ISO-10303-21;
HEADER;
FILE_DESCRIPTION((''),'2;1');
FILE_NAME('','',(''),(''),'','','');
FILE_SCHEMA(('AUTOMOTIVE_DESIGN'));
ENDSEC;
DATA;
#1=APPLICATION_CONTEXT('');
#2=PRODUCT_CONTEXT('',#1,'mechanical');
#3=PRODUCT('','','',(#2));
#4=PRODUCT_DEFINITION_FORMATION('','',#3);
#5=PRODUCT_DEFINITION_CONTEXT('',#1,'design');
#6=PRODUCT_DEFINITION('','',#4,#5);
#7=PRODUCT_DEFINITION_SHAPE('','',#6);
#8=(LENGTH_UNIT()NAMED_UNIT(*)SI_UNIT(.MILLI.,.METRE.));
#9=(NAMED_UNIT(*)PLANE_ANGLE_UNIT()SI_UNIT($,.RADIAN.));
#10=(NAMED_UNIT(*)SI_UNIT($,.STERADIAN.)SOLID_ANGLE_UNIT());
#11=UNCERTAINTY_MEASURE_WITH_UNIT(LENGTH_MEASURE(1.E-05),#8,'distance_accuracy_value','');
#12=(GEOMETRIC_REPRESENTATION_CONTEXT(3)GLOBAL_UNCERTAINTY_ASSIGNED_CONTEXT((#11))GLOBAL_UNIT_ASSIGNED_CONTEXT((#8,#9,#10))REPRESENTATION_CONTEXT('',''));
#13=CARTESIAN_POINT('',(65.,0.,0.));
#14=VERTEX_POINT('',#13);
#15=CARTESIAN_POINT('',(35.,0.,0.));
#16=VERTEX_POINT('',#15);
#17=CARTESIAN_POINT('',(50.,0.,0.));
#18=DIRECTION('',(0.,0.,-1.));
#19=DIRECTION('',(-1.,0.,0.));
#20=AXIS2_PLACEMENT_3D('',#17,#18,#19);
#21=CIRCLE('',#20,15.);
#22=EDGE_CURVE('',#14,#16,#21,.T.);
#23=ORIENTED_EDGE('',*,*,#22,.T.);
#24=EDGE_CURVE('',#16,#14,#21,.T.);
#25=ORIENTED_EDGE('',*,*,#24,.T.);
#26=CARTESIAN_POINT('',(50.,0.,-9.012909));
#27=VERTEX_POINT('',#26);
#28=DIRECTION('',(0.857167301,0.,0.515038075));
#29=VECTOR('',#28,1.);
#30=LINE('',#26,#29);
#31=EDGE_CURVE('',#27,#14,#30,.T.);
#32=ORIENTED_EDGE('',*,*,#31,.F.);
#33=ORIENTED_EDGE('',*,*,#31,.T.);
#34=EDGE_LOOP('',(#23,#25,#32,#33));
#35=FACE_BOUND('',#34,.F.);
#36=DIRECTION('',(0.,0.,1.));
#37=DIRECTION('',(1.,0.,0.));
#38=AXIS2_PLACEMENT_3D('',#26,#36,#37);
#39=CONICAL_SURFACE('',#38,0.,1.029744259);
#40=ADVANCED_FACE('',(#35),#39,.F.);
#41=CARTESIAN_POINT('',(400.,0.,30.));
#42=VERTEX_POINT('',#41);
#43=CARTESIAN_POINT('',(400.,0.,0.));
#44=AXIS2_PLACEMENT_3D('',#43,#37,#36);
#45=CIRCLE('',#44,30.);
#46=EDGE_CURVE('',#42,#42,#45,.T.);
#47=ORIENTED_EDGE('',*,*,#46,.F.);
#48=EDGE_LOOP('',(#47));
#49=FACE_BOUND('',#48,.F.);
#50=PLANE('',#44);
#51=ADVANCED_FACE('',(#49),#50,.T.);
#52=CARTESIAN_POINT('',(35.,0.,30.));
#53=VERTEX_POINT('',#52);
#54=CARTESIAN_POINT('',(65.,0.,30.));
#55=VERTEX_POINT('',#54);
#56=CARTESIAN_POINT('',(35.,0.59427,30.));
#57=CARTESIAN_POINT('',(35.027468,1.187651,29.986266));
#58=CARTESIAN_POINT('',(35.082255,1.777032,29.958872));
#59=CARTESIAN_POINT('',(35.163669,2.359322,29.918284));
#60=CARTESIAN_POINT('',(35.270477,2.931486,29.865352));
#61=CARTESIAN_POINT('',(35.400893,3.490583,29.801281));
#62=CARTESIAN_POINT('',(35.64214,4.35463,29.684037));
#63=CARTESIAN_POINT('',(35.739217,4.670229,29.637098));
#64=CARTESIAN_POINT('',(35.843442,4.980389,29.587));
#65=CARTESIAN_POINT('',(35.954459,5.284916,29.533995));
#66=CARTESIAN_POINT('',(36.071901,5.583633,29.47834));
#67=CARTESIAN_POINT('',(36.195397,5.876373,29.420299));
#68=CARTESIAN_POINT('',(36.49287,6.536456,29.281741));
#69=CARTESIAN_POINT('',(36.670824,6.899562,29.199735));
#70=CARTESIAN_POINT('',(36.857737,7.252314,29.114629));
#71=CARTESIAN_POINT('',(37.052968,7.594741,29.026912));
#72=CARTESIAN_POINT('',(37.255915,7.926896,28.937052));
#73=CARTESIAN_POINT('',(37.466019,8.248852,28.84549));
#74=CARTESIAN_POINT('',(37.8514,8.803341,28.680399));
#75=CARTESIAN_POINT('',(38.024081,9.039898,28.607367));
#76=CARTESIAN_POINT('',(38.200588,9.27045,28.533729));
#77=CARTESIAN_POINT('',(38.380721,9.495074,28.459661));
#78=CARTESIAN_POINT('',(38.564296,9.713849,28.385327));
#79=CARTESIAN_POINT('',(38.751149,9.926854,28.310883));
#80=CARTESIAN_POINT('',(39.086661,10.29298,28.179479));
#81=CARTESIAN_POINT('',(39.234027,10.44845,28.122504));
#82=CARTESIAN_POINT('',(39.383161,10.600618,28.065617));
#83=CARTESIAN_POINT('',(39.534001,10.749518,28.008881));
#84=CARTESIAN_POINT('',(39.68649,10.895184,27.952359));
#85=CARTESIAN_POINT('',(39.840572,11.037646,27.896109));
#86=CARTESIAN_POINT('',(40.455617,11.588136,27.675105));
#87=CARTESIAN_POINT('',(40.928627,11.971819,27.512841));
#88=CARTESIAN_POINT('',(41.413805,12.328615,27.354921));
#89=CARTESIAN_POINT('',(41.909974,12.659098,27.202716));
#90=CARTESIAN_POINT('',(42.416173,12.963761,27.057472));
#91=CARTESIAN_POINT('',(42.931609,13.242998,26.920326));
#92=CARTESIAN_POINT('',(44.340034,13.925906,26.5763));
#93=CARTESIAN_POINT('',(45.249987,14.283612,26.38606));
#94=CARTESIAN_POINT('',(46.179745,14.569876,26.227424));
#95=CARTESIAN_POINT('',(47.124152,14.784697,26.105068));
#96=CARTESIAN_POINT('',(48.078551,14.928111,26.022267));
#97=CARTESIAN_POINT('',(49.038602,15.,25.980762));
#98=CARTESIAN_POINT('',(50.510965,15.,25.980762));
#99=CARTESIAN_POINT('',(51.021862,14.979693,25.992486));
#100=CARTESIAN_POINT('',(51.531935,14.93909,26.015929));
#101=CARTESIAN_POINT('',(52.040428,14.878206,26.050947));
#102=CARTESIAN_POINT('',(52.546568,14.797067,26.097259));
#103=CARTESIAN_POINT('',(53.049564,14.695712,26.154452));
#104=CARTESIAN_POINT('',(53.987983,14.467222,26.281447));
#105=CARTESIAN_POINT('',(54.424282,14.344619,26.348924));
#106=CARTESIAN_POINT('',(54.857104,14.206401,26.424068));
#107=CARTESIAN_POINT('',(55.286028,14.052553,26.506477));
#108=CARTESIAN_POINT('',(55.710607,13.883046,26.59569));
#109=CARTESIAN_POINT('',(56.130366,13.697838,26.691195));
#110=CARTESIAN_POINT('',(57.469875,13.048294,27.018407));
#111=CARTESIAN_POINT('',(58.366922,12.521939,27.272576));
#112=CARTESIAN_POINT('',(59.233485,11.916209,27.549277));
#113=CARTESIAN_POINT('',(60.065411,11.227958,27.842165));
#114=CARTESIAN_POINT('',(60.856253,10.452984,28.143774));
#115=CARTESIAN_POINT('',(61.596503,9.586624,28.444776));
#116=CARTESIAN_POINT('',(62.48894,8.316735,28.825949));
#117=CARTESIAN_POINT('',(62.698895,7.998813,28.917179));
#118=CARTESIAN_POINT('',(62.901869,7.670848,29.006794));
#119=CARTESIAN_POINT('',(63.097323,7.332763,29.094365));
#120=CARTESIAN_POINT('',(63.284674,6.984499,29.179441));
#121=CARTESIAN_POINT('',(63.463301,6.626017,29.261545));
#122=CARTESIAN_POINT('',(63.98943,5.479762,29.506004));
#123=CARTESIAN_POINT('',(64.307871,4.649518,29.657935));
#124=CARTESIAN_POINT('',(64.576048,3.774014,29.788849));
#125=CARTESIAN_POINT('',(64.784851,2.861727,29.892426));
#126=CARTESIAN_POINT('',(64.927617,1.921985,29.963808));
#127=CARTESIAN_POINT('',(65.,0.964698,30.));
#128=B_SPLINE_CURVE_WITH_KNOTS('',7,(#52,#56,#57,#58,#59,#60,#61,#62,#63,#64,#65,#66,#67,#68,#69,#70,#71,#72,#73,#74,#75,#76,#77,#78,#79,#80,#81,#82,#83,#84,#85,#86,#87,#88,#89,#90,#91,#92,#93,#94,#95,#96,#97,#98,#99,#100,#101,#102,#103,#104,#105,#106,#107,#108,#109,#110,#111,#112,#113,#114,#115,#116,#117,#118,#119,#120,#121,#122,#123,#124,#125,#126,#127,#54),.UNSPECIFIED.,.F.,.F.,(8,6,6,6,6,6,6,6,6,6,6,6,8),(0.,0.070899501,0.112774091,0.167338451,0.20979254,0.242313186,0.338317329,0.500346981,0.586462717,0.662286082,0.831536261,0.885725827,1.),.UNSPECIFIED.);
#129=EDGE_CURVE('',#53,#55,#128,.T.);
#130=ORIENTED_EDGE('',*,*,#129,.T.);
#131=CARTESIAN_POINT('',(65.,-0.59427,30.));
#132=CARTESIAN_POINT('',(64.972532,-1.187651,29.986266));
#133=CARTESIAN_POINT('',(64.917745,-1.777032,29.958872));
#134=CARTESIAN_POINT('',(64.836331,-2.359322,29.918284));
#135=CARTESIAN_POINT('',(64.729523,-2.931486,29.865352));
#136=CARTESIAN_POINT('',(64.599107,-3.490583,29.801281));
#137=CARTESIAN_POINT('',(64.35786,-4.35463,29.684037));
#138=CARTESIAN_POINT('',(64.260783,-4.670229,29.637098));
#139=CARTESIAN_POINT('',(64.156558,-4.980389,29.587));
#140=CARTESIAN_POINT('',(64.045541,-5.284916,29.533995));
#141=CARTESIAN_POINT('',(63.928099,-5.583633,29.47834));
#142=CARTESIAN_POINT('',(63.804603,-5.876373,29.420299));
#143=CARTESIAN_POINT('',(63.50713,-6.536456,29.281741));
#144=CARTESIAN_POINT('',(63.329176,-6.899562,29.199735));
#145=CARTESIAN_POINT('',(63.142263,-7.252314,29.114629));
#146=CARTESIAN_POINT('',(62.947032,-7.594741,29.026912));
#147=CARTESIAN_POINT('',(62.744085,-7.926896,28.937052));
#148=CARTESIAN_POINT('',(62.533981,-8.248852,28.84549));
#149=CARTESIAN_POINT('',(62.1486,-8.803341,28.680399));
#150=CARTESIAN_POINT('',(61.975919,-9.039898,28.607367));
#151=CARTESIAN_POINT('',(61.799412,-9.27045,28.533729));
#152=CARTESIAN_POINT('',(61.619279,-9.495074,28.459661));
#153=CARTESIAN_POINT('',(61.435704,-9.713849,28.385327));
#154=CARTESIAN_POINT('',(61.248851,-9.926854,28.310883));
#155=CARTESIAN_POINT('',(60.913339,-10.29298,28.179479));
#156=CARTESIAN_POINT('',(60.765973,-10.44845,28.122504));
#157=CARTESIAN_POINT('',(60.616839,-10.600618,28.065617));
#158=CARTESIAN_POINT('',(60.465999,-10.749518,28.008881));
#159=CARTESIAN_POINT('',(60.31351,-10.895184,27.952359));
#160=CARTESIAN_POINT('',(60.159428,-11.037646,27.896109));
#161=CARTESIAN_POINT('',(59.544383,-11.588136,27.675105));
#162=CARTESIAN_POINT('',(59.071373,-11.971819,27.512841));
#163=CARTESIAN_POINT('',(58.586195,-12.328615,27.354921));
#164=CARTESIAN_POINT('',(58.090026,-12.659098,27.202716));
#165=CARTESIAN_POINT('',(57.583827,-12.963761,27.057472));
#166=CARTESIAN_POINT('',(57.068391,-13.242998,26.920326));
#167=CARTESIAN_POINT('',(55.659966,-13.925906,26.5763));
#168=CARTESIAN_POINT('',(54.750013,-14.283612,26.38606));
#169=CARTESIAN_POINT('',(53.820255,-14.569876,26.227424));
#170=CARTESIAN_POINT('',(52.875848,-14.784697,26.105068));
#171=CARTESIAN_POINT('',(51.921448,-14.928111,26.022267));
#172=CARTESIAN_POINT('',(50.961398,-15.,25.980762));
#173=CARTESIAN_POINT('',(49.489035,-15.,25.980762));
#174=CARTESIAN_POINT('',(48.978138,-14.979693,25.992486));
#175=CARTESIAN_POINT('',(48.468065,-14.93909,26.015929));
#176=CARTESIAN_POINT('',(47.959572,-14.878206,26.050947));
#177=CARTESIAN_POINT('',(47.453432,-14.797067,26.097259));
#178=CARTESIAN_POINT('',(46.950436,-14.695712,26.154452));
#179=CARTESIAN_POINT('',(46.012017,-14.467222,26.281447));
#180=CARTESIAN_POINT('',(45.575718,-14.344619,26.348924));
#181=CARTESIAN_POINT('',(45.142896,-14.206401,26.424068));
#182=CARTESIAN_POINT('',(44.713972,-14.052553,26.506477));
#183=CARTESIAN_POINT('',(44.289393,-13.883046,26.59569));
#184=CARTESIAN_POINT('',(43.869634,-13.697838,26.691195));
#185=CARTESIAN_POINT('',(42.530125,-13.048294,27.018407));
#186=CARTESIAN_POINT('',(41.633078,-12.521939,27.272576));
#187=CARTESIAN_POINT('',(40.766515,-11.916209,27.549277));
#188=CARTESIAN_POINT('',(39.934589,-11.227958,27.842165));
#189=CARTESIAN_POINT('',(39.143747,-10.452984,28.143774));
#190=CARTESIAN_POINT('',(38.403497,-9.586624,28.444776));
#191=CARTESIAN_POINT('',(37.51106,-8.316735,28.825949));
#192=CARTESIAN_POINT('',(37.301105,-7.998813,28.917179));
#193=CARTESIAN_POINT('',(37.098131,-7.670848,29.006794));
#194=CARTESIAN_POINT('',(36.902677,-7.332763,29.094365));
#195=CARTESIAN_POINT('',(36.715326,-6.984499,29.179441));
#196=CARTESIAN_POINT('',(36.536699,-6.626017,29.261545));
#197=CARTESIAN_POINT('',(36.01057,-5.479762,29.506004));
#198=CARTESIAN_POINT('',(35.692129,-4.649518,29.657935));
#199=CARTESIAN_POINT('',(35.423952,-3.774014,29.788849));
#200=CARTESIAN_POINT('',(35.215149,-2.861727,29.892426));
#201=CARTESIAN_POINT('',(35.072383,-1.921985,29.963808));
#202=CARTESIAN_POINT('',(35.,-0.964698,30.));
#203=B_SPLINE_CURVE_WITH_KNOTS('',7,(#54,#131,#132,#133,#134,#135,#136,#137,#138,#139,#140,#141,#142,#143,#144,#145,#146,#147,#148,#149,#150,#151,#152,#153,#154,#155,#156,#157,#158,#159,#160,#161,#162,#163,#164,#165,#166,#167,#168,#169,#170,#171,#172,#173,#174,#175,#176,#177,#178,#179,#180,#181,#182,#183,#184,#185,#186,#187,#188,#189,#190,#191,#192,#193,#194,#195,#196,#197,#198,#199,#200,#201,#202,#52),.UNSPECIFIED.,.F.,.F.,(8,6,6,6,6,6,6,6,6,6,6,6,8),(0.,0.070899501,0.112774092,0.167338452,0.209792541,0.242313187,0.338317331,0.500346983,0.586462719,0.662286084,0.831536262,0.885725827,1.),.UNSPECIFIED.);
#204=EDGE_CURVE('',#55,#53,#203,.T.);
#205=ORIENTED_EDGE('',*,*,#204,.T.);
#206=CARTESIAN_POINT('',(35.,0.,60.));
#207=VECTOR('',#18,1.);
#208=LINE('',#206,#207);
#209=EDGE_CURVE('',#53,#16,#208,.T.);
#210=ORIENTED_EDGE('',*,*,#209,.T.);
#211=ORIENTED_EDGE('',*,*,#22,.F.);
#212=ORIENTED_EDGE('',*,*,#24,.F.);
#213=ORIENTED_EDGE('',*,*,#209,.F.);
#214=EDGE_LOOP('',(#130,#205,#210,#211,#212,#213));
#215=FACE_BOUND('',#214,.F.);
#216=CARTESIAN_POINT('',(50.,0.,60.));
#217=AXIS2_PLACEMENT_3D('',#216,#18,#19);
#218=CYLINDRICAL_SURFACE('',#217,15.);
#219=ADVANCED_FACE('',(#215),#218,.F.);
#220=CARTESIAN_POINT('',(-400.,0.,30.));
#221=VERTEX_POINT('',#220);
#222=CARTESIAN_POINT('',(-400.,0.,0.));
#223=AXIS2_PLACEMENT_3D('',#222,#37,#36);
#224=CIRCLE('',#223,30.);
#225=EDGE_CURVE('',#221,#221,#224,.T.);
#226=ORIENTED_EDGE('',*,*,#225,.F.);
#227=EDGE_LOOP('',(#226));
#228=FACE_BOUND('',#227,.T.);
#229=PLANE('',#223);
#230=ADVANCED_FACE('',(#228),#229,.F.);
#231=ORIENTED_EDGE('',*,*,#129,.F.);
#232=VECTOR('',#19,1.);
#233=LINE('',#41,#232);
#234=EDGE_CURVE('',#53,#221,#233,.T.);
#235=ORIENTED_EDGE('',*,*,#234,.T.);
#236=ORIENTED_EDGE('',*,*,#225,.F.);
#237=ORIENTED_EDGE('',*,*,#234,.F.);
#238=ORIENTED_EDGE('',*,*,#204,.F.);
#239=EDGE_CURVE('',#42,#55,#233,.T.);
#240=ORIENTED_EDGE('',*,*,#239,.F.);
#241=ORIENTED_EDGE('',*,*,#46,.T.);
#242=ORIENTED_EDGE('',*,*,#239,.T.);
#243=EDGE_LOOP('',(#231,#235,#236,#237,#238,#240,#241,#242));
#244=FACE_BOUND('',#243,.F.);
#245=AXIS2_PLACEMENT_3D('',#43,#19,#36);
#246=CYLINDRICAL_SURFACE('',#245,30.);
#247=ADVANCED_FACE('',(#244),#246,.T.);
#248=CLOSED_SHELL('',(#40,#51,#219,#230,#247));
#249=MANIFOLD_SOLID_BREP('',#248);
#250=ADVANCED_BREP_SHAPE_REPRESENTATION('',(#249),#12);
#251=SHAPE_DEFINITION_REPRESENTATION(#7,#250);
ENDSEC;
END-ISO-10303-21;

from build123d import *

# Parameters (mm, degrees)
F0_W     = 700
F0_H     = 30
F0_W_2   = 100
F4_D     = 30
F4_DEPTH = 30
F4_TIP   = 9.0129092854


with BuildPart() as f1:
    # F0 (on Front) → F1 (revolve)
    with BuildSketch(Plane.XZ):
        with Locations((50, 15)):
            Rectangle(F0_W, F0_H)
        with Locations((-350, 15)):
            Rectangle(F0_W_2, F0_H)
    revolve(axis=Axis((0, 0, 0), (1, 0, 0)))

    # F4
    with Locations(Plane.XY.offset(30)):
        with Locations((50, 0)):
            Hole(F4_D / 2, depth=F4_DEPTH)
            with Locations((0, 0, -(F4_DEPTH + F4_TIP / 2))):  # 118° drill point
                Cone(0, F4_D / 2, F4_TIP, mode=Mode.SUBTRACT)


solid = f1.part
